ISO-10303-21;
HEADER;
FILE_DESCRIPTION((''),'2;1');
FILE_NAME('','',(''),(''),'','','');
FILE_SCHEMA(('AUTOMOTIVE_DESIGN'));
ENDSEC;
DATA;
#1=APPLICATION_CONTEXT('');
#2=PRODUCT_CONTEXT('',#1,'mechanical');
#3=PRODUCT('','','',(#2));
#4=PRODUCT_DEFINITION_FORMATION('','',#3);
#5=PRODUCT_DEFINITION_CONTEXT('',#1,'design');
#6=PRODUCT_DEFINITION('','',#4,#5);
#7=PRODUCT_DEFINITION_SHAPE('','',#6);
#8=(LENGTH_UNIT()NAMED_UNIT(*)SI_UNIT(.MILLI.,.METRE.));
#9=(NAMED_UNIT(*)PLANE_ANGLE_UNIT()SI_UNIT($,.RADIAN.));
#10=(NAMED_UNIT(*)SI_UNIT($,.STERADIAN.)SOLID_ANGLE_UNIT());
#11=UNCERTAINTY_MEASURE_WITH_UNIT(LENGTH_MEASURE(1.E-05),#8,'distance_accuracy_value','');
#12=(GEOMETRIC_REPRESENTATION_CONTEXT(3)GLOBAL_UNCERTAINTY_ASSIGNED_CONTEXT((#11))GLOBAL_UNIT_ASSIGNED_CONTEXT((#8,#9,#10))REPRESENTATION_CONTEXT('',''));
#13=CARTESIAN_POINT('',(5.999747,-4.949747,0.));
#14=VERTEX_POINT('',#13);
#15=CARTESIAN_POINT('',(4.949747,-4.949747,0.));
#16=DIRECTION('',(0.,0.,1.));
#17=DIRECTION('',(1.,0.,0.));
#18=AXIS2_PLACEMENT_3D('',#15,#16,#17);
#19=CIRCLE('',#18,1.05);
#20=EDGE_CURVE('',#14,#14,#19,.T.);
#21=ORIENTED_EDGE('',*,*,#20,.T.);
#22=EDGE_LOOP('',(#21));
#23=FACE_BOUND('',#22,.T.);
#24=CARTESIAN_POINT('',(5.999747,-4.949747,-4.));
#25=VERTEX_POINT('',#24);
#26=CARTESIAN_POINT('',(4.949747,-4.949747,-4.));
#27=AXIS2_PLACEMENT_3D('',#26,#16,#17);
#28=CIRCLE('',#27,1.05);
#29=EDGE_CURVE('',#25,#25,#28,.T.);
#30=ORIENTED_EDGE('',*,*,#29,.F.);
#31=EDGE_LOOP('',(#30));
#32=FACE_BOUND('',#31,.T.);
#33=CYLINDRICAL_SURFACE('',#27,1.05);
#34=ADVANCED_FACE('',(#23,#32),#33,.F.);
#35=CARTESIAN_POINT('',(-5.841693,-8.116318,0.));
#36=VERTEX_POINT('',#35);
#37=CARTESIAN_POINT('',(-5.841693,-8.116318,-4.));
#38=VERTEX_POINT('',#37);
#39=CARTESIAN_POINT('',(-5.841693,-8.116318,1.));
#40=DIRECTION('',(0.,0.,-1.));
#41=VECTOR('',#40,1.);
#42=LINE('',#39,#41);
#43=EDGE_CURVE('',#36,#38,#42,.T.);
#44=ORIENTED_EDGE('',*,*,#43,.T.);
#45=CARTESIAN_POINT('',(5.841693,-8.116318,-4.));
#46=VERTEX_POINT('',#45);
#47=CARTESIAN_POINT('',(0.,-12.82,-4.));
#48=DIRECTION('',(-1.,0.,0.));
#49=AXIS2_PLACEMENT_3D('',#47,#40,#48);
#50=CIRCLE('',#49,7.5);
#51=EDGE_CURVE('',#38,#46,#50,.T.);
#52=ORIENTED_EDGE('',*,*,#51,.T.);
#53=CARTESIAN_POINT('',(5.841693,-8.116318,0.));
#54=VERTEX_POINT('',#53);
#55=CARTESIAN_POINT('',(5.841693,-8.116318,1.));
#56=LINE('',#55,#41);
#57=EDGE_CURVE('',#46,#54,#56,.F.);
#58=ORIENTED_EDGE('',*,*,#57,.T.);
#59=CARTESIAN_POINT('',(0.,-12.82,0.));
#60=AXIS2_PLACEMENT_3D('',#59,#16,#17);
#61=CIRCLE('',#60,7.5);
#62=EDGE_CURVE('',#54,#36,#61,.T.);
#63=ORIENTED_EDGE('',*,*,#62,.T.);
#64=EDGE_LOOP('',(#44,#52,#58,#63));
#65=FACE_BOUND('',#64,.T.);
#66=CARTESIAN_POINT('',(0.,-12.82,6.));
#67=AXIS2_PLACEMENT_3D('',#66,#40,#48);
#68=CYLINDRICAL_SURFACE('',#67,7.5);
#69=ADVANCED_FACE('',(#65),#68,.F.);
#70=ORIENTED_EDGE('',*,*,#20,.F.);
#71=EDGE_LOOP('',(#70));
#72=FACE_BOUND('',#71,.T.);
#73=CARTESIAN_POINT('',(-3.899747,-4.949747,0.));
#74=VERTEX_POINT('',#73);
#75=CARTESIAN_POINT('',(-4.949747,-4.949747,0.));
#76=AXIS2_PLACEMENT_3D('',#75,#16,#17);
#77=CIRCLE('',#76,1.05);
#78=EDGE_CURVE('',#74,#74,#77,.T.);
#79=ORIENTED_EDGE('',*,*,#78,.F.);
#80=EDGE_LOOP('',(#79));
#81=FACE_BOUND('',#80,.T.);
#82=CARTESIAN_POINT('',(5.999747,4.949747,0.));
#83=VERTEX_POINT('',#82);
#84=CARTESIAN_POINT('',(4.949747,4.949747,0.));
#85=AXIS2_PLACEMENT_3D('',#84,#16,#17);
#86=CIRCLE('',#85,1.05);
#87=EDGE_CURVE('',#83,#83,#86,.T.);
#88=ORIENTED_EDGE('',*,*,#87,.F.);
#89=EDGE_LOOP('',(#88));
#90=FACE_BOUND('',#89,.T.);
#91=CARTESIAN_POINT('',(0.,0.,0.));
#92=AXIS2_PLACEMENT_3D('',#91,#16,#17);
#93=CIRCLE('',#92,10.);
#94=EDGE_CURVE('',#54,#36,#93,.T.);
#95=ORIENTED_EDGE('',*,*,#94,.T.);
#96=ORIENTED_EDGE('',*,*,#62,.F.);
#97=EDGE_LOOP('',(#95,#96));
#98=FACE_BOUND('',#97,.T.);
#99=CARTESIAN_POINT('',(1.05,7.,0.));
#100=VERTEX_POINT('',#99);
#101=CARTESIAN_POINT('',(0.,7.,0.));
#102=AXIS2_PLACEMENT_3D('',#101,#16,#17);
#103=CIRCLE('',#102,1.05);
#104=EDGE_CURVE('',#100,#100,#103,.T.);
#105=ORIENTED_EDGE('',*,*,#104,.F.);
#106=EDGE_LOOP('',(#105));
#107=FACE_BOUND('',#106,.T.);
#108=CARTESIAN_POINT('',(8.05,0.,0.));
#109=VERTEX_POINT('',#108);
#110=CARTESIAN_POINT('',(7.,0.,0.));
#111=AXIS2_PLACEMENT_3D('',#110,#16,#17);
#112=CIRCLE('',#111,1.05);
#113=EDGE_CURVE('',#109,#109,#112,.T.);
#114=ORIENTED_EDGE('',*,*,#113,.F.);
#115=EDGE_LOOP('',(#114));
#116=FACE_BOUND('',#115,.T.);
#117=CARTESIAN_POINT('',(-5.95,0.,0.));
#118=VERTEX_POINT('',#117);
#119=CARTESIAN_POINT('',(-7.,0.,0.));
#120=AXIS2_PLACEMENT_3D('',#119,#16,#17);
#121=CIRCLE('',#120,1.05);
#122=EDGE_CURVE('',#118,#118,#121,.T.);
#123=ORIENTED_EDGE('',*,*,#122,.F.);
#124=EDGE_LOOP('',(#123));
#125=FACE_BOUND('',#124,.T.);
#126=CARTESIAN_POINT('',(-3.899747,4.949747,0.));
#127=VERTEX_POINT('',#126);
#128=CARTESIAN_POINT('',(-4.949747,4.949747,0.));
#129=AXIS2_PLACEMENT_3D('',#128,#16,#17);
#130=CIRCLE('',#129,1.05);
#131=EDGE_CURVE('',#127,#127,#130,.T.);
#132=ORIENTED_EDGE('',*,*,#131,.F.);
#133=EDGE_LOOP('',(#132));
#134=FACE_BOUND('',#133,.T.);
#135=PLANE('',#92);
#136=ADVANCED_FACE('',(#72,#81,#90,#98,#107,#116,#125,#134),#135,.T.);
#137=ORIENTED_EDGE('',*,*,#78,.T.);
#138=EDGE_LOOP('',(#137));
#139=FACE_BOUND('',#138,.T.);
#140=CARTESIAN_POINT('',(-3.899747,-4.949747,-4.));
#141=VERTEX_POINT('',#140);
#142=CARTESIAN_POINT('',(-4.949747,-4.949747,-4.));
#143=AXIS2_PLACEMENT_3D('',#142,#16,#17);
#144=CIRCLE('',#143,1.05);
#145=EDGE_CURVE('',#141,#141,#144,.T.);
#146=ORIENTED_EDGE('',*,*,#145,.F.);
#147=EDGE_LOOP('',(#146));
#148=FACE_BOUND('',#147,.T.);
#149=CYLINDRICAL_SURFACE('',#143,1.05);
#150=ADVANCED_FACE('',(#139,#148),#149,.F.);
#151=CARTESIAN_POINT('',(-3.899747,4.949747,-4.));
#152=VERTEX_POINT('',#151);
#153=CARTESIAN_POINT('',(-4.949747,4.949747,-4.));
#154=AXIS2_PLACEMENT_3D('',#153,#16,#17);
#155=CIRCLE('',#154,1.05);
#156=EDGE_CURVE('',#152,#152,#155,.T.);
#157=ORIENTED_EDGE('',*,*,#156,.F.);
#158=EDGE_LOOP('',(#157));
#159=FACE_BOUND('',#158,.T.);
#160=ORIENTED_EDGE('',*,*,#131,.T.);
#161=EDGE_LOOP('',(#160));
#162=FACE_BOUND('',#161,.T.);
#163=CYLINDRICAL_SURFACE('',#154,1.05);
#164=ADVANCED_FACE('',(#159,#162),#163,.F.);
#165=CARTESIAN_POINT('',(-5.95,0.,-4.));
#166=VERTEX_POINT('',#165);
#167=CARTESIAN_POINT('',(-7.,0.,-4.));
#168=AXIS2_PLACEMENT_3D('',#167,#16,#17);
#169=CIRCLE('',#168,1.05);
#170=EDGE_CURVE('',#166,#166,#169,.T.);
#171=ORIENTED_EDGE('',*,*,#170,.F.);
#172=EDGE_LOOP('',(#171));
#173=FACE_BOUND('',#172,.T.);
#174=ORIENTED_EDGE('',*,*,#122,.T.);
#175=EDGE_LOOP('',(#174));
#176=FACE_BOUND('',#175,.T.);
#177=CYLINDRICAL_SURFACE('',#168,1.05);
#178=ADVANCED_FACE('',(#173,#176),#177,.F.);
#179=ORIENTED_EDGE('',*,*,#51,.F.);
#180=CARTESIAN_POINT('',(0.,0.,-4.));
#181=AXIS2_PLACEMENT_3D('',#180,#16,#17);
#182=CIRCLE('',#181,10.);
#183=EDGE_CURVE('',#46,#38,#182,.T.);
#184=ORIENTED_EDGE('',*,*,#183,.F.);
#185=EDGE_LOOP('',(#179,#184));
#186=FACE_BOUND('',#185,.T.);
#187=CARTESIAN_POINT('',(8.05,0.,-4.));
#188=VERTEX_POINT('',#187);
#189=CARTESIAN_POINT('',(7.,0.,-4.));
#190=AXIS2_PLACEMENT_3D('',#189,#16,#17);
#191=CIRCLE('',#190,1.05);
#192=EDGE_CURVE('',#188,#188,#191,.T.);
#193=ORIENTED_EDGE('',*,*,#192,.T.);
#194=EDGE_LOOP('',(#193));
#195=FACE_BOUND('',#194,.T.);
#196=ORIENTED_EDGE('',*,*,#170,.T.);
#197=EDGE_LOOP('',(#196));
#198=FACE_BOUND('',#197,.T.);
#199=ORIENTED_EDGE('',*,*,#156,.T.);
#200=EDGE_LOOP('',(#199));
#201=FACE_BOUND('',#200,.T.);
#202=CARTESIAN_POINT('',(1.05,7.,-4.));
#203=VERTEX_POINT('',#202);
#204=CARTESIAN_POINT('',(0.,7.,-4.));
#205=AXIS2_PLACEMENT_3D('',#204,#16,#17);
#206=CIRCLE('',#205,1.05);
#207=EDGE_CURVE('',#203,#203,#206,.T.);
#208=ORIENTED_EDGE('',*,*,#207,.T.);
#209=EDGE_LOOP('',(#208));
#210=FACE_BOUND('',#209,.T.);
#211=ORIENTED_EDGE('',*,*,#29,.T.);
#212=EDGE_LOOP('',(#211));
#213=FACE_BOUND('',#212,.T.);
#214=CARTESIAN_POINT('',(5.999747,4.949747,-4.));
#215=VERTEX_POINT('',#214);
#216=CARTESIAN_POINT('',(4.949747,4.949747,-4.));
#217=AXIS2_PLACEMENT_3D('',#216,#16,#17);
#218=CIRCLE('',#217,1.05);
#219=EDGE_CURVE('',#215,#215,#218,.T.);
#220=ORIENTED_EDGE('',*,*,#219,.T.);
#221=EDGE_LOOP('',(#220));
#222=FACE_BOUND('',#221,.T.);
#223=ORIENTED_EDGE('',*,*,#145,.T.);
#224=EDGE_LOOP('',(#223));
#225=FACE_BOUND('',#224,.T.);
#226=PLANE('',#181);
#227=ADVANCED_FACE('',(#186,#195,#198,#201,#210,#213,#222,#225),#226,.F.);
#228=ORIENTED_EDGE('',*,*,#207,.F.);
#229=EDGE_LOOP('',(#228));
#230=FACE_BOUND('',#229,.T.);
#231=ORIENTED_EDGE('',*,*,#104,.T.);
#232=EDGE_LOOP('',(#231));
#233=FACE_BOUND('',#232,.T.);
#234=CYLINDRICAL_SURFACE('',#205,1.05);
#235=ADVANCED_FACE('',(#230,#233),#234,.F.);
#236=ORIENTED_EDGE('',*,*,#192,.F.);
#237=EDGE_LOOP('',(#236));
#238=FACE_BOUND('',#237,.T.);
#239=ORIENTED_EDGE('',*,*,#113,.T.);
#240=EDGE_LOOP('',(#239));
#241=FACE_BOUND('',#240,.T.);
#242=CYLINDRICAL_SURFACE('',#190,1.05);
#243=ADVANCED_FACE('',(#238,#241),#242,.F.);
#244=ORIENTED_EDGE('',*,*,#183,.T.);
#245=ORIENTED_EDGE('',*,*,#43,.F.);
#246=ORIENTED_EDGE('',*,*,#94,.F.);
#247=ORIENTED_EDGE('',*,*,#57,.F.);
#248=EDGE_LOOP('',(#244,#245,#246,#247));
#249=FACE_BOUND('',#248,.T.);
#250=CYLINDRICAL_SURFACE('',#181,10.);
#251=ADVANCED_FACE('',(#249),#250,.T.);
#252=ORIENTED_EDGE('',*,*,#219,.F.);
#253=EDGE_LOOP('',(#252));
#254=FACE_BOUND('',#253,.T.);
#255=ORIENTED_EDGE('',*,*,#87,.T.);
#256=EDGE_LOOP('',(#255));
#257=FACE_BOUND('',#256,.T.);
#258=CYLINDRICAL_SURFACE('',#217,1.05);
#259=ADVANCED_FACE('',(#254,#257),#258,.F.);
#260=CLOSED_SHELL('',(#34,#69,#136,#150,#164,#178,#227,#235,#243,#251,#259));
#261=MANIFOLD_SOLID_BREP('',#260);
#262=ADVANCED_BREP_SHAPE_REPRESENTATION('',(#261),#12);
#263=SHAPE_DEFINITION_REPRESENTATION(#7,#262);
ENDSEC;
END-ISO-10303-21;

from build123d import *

# Parameters (mm, degrees)
SKETCH1_R           = 10
SKETCH1_R_2         = 1.05
SKETCH1_R_3         = 4
BOSS_EXTRUDE1_DEPTH = 4
SKETCH2_R           = 7.5
CUT_EXTRUDE1_DEPTH  = 10
BOSS_EXTRUDE2_START = -4
SKETCH3_R           = 4
BOSS_EXTRUDE2_DEPTH = 4


with BuildPart() as part:
    # Sketch1 → Boss-Extrude1 (new body)
    with BuildSketch(Plane.XY):
        Circle(SKETCH1_R)
        with Locations((-7, 0)):
            Circle(SKETCH1_R_2, mode=Mode.SUBTRACT)
        with Locations((0, 7)):
            Circle(SKETCH1_R_2, mode=Mode.SUBTRACT)
        with Locations((7, 0)):
            Circle(SKETCH1_R_2, mode=Mode.SUBTRACT)
        with Locations((4.949747468, 4.949747468)):
            Circle(SKETCH1_R_2, mode=Mode.SUBTRACT)
        with Locations((4.949747468, -4.949747468)):
            Circle(SKETCH1_R_2, mode=Mode.SUBTRACT)
        with Locations((0, -7)):
            Circle(SKETCH1_R_2, mode=Mode.SUBTRACT)
        with Locations((-4.949747468, -4.949747468)):
            Circle(SKETCH1_R_2, mode=Mode.SUBTRACT)
        with Locations((-4.949747468, 4.949747468)):
            Circle(SKETCH1_R_2, mode=Mode.SUBTRACT)
        Circle(SKETCH1_R_3, mode=Mode.SUBTRACT)
    extrude(amount=-BOSS_EXTRUDE1_DEPTH)

    # Sketch2 → Cut-Extrude1 (cut)
    with BuildSketch(Plane(origin=(0, 0, -4), x_dir=(-1, 0, 0), z_dir=(0, 0, -1))):
        with Locations((0, -12.82)):
            Circle(SKETCH2_R)
    extrude(amount=-CUT_EXTRUDE1_DEPTH, mode=Mode.SUBTRACT)

    # Sketch3 → Boss-Extrude2 (add)
    with BuildSketch(Plane(origin=(0, 0, -4), x_dir=(-1, 0, 0), z_dir=(0, 0, -1)).offset(BOSS_EXTRUDE2_START)):
        Circle(SKETCH3_R)
    extrude(amount=BOSS_EXTRUDE2_DEPTH)


solid = part.part
